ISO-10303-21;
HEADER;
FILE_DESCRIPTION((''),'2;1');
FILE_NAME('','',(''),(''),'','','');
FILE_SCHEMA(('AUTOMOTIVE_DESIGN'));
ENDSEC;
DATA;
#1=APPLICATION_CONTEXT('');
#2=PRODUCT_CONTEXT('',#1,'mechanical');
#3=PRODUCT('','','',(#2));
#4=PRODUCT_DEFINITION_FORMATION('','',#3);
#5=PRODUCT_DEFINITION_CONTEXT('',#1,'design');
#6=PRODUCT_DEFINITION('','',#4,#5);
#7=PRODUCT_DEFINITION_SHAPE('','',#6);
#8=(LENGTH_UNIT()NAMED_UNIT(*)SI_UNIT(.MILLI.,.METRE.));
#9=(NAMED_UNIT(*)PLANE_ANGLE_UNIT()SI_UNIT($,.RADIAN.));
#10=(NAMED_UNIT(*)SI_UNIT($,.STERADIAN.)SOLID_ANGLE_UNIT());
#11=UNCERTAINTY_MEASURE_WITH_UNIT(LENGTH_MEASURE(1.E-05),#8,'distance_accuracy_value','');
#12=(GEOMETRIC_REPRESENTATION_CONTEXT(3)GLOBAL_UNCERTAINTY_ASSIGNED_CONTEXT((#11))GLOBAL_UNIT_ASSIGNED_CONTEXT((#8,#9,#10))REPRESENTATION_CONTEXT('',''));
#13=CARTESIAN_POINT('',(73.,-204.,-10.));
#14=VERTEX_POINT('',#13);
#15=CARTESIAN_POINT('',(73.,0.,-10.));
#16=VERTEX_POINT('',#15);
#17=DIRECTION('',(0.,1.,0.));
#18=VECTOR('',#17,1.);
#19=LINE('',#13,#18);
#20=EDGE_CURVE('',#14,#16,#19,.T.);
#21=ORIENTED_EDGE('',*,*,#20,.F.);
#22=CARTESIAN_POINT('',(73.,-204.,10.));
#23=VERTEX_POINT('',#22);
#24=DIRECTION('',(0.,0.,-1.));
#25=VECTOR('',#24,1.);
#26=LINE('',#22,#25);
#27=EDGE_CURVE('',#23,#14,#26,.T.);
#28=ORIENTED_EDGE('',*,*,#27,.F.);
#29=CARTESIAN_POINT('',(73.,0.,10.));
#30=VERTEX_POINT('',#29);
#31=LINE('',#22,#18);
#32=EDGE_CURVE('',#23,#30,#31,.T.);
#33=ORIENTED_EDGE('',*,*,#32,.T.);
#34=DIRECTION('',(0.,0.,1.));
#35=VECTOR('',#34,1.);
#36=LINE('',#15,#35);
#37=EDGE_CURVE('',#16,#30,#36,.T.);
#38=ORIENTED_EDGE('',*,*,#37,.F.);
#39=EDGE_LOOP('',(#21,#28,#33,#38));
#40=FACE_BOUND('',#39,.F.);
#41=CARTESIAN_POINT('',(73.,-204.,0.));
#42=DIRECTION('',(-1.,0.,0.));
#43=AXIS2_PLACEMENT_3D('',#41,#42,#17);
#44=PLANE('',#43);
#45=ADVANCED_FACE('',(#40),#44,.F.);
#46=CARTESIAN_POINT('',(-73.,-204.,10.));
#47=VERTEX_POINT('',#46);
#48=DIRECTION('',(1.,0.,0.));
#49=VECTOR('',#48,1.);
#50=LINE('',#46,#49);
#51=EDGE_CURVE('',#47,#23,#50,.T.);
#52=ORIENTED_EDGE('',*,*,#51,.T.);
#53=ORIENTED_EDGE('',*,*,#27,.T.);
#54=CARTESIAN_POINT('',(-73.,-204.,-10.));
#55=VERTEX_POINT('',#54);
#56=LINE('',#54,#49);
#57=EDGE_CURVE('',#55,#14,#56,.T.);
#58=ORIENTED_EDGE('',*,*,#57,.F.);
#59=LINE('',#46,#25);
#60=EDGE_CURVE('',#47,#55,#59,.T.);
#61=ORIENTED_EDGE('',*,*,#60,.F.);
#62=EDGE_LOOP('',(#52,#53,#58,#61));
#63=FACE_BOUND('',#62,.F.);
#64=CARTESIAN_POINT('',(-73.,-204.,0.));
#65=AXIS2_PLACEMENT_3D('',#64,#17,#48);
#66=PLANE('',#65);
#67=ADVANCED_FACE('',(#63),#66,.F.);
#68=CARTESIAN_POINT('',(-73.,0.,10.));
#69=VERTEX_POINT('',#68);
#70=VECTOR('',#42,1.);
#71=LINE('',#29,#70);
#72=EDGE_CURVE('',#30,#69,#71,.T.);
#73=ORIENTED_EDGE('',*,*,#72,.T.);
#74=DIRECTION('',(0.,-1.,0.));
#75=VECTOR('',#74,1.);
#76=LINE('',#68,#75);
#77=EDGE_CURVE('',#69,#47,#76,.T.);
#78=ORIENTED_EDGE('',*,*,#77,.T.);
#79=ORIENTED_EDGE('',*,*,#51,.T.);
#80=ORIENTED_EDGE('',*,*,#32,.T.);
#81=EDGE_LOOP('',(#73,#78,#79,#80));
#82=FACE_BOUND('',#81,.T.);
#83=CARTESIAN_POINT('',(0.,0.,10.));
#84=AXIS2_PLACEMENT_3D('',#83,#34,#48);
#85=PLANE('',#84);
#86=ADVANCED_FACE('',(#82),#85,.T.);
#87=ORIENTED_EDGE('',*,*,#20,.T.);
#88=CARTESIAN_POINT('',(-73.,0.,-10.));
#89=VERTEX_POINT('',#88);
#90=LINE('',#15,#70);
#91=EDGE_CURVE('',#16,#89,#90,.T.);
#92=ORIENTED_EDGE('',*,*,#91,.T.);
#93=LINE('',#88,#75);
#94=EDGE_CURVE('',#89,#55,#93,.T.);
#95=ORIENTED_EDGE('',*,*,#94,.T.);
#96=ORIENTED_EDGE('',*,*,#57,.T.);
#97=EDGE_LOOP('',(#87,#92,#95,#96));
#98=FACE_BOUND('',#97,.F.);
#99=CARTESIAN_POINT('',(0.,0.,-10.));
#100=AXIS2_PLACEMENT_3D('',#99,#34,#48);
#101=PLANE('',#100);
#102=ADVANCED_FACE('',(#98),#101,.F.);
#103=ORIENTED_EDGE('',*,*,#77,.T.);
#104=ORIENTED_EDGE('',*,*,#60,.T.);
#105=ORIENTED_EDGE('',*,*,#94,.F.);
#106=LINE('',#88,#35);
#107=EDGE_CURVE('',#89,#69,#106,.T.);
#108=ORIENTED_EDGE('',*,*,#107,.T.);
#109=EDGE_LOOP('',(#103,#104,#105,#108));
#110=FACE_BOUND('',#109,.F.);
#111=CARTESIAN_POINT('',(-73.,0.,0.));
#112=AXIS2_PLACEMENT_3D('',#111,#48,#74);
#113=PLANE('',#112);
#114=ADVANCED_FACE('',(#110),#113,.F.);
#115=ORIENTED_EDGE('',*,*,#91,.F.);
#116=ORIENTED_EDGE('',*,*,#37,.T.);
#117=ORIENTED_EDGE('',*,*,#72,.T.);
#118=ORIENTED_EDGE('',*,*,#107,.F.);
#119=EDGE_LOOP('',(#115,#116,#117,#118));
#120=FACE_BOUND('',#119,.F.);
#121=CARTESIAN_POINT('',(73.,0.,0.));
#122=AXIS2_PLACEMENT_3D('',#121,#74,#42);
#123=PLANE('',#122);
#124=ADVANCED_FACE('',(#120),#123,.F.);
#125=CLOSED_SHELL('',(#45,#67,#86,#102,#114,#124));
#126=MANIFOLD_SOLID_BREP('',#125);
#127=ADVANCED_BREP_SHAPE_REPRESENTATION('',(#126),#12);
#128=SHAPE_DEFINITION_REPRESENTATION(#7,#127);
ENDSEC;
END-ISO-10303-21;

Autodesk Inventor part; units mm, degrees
ref_plane "YZ Plane" through (0, 0, 0) normal (1, 0, 0) x (0, 1, 0)
ref_plane "XZ Plane" through (0, 0, 0) normal (0, 1, 0) x (-1, 0, 0)
ref_plane "XY Plane" through (0, 0, 0) normal (0, 0, 1) x (1, 0, 0)
sketch "Sketch2" plane through (0, 0, 0) normal (0, 0, 1) x (1, 0, 0)
  line L0 (73, 0) -> (-73, 0)
  line L1 (-73, 0) -> (-73, -204)
  line L2 (-73, -204) -> (73, -204)
  line L3 (73, -204) -> (73, 0)
  point P0 (0, 0)
  point P1 (0, 0)
  dimension "d0" = 146
  dimension "d1" = 204
extrude "Extrusion1" add sketch "Sketch2" along normal mid plane 20
properties part number "book"
